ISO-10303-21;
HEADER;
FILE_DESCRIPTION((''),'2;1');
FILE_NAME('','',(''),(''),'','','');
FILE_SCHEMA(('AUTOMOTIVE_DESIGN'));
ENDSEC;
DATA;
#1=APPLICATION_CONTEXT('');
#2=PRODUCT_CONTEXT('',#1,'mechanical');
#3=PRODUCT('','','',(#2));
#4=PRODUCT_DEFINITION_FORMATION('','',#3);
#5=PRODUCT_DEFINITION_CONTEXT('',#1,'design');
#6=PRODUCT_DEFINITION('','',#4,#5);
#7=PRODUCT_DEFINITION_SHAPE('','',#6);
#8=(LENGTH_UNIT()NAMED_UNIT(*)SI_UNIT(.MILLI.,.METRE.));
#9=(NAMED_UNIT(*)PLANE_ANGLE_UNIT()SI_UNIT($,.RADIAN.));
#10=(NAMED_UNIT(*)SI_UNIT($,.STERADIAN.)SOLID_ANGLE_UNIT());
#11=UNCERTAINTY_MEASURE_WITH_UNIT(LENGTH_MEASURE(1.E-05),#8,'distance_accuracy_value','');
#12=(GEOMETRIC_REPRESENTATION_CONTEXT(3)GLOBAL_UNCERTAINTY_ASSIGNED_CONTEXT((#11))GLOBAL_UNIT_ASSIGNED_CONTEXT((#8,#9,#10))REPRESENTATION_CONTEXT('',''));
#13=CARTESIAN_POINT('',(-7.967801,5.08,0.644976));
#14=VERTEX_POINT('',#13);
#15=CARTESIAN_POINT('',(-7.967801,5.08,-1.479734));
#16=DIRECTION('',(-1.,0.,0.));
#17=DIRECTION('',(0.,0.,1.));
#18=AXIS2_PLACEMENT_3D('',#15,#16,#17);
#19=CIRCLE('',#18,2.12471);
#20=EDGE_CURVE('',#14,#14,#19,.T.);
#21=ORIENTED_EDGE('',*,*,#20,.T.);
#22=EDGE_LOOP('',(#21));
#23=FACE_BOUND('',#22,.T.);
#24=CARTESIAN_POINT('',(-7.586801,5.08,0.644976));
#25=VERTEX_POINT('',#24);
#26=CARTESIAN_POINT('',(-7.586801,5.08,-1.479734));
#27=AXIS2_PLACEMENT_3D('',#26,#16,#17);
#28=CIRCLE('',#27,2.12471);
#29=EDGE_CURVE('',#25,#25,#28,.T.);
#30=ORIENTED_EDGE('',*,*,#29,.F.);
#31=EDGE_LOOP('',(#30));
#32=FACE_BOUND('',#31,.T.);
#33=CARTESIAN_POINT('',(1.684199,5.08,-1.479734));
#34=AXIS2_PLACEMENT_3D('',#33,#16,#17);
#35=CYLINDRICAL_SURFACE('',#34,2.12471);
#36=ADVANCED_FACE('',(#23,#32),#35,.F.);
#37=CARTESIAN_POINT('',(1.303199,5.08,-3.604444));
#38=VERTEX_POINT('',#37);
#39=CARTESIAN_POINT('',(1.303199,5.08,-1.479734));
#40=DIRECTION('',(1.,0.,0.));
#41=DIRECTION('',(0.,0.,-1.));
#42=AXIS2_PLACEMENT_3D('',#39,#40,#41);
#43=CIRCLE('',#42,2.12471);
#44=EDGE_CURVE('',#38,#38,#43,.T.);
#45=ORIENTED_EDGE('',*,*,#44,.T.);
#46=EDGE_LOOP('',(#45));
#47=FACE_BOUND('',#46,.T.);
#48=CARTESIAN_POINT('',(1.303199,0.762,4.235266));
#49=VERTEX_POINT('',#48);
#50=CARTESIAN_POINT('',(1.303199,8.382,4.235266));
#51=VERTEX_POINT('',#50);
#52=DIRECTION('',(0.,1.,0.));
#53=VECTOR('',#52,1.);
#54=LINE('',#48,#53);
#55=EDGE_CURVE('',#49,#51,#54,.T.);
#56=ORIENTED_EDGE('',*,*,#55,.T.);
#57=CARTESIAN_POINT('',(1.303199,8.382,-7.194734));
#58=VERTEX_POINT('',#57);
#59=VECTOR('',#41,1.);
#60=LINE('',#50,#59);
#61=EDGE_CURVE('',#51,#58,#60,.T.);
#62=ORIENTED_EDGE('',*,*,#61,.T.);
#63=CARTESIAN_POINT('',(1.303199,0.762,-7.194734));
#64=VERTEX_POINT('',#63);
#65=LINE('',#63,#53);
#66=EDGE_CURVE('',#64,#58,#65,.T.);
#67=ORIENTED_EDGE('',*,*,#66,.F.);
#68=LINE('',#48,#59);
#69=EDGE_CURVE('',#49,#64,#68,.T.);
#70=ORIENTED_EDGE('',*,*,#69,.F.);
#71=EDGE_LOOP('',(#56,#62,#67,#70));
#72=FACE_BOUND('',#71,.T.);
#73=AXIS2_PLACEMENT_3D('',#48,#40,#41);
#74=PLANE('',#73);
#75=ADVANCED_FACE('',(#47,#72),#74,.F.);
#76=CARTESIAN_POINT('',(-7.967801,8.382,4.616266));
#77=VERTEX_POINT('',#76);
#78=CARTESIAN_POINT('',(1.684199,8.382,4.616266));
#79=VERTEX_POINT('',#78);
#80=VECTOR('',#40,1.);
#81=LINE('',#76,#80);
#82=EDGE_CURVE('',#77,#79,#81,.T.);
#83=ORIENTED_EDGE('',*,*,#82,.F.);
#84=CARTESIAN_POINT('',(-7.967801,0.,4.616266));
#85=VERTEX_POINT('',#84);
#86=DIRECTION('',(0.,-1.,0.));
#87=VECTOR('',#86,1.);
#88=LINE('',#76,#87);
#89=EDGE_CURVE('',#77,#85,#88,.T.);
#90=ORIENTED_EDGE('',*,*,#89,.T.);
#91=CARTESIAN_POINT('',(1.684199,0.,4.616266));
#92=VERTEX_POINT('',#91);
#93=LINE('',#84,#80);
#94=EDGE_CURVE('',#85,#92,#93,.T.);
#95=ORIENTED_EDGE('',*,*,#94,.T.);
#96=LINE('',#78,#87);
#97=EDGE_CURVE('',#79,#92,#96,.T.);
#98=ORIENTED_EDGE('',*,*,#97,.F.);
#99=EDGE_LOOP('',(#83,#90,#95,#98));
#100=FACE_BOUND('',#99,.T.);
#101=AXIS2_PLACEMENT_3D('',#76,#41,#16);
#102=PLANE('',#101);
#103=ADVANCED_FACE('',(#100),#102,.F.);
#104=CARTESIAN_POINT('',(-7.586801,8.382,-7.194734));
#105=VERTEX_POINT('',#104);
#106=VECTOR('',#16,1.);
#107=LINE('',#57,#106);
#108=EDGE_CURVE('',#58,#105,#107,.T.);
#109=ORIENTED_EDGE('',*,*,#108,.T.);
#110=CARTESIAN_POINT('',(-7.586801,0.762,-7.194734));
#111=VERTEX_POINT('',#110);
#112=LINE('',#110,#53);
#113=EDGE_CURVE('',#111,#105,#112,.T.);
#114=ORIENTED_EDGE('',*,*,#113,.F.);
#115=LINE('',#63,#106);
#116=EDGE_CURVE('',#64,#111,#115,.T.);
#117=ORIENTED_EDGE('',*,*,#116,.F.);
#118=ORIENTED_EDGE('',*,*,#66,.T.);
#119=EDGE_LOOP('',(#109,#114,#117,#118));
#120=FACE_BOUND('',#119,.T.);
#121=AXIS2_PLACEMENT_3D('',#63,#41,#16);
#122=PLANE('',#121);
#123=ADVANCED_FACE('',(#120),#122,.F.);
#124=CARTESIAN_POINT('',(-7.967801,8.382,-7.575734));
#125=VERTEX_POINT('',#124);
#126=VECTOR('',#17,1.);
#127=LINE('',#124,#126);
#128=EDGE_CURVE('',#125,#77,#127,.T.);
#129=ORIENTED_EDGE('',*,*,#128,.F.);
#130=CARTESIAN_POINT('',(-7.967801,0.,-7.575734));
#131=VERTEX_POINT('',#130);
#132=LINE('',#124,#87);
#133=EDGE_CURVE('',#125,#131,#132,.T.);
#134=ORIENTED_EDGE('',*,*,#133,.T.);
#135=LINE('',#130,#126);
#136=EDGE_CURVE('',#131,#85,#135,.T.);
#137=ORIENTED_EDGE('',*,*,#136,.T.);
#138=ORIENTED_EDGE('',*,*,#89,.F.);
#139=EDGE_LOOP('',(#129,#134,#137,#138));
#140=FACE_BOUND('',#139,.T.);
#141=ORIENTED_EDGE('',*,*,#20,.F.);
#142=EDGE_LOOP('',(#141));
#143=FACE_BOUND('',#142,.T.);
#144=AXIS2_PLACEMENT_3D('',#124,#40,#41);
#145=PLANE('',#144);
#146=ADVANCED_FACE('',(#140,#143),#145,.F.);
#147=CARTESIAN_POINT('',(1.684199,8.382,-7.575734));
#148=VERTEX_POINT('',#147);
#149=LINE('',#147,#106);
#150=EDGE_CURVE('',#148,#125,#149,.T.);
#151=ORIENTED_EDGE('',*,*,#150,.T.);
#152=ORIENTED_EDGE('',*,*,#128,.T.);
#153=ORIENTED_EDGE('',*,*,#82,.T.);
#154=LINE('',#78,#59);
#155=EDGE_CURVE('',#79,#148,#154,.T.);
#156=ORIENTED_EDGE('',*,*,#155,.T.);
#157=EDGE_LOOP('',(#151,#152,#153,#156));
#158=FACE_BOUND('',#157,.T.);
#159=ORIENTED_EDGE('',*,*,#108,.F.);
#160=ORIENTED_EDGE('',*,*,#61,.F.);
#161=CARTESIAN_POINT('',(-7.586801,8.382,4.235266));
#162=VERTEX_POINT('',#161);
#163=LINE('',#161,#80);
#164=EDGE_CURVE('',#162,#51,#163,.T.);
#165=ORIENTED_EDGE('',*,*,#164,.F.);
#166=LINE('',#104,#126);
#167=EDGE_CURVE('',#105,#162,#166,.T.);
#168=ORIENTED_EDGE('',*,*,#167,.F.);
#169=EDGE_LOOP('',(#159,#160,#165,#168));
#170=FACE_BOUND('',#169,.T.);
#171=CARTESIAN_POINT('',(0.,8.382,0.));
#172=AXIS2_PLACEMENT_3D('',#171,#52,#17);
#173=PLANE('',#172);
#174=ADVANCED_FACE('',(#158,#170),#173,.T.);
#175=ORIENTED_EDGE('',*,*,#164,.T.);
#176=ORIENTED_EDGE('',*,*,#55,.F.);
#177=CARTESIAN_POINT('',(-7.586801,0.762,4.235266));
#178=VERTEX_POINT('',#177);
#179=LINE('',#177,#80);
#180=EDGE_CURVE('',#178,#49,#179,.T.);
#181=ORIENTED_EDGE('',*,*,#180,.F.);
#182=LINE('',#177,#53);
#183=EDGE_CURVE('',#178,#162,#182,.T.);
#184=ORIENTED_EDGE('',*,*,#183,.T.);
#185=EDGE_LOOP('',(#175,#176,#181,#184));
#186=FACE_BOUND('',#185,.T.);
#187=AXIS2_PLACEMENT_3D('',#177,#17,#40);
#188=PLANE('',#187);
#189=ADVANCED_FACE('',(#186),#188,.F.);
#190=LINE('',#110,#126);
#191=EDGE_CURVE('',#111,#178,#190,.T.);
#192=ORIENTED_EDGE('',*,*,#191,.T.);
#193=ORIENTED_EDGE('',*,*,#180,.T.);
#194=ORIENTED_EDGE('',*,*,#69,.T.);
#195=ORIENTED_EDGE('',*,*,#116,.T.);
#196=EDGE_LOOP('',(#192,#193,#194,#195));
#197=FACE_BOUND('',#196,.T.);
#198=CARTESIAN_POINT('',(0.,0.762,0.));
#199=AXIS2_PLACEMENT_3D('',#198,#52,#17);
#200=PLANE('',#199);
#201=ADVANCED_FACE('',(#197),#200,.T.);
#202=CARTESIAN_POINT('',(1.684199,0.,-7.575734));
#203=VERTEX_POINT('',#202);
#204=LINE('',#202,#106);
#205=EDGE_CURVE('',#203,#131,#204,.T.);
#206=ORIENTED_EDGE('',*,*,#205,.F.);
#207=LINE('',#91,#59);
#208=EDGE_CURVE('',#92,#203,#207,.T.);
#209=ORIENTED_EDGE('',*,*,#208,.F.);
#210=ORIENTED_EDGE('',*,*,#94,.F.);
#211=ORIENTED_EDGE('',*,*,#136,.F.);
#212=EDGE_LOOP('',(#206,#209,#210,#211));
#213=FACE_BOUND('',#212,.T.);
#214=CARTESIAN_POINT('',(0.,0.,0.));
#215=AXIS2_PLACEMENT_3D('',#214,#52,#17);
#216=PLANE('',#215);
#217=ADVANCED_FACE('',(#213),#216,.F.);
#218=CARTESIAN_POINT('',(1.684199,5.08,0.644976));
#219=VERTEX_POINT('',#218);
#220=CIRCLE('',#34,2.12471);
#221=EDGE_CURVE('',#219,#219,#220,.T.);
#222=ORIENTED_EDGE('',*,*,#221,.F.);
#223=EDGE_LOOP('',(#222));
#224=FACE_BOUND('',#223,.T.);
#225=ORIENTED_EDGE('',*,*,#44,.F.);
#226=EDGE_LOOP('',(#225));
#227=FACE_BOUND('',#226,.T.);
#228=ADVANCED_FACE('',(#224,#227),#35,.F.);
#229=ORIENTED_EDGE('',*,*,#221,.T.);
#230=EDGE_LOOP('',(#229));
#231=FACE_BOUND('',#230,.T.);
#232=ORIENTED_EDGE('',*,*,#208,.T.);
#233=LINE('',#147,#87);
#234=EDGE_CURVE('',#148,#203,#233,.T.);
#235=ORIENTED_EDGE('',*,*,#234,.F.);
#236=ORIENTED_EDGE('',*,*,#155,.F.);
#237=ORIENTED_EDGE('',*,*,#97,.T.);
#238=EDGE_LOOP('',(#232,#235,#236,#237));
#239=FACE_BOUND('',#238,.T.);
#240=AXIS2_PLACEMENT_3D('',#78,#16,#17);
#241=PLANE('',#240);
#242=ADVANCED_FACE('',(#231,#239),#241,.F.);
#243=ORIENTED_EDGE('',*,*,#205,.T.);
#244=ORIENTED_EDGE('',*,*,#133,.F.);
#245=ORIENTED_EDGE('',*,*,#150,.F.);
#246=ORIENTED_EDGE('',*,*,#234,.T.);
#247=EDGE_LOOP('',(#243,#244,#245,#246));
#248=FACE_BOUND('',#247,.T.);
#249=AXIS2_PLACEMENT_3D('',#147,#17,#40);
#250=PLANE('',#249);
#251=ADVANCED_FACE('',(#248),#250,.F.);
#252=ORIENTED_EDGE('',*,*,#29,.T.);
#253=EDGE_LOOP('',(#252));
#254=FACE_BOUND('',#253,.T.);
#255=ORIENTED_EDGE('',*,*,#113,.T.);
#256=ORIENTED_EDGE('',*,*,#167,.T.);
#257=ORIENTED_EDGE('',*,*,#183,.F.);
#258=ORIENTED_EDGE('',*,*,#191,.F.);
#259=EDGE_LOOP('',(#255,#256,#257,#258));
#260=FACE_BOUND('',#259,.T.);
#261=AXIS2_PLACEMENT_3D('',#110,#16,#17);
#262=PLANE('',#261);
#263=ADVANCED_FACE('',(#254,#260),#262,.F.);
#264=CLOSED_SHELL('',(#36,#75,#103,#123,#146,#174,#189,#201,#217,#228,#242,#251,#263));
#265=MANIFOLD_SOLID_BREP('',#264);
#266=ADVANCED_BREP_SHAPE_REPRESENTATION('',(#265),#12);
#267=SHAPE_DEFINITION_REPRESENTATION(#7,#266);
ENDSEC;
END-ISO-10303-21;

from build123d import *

# Parameters (mm, degrees)
SKETCH1_W           = 9.652
SKETCH1_H           = 12.192
BOSS_EXTRUDE1_DEPTH = 8.382
SKETCH4_W           = 8.89
SKETCH4_H           = 11.43
CUT_EXTRUDE1_DEPTH  = 7.62
SKETCH6_R           = 2.12471
CUT_EXTRUDE2_DEPTH  = 10.652


with BuildPart() as part:
    # Sketch1 → Boss-Extrude1 (new body)
    with BuildSketch(Plane(origin=(0, 0, 0), x_dir=(1, 0, 0), z_dir=(0, 1, 0))):
        with Locations((-3.14180083, 1.47973444)):
            Rectangle(SKETCH1_W, SKETCH1_H)
    extrude(amount=BOSS_EXTRUDE1_DEPTH)

    # Sketch4 → Cut-Extrude1 (cut)
    with BuildSketch(Plane(origin=(0, 8.382, 0), x_dir=(1, 0, 0), z_dir=(0, 1, 0))):
        with Locations((-3.14180083, 1.47973444)):
            Rectangle(SKETCH4_W, SKETCH4_H)
    extrude(amount=-CUT_EXTRUDE1_DEPTH, mode=Mode.SUBTRACT)

    # Sketch6 → Cut-Extrude2 (cut, through all)
    with BuildSketch(Plane.ZY.offset(7.96780083)):
        with Locations((-1.47973444, 5.08)):
            Circle(SKETCH6_R)
    extrude(amount=-CUT_EXTRUDE2_DEPTH, mode=Mode.SUBTRACT)


solid = part.part
